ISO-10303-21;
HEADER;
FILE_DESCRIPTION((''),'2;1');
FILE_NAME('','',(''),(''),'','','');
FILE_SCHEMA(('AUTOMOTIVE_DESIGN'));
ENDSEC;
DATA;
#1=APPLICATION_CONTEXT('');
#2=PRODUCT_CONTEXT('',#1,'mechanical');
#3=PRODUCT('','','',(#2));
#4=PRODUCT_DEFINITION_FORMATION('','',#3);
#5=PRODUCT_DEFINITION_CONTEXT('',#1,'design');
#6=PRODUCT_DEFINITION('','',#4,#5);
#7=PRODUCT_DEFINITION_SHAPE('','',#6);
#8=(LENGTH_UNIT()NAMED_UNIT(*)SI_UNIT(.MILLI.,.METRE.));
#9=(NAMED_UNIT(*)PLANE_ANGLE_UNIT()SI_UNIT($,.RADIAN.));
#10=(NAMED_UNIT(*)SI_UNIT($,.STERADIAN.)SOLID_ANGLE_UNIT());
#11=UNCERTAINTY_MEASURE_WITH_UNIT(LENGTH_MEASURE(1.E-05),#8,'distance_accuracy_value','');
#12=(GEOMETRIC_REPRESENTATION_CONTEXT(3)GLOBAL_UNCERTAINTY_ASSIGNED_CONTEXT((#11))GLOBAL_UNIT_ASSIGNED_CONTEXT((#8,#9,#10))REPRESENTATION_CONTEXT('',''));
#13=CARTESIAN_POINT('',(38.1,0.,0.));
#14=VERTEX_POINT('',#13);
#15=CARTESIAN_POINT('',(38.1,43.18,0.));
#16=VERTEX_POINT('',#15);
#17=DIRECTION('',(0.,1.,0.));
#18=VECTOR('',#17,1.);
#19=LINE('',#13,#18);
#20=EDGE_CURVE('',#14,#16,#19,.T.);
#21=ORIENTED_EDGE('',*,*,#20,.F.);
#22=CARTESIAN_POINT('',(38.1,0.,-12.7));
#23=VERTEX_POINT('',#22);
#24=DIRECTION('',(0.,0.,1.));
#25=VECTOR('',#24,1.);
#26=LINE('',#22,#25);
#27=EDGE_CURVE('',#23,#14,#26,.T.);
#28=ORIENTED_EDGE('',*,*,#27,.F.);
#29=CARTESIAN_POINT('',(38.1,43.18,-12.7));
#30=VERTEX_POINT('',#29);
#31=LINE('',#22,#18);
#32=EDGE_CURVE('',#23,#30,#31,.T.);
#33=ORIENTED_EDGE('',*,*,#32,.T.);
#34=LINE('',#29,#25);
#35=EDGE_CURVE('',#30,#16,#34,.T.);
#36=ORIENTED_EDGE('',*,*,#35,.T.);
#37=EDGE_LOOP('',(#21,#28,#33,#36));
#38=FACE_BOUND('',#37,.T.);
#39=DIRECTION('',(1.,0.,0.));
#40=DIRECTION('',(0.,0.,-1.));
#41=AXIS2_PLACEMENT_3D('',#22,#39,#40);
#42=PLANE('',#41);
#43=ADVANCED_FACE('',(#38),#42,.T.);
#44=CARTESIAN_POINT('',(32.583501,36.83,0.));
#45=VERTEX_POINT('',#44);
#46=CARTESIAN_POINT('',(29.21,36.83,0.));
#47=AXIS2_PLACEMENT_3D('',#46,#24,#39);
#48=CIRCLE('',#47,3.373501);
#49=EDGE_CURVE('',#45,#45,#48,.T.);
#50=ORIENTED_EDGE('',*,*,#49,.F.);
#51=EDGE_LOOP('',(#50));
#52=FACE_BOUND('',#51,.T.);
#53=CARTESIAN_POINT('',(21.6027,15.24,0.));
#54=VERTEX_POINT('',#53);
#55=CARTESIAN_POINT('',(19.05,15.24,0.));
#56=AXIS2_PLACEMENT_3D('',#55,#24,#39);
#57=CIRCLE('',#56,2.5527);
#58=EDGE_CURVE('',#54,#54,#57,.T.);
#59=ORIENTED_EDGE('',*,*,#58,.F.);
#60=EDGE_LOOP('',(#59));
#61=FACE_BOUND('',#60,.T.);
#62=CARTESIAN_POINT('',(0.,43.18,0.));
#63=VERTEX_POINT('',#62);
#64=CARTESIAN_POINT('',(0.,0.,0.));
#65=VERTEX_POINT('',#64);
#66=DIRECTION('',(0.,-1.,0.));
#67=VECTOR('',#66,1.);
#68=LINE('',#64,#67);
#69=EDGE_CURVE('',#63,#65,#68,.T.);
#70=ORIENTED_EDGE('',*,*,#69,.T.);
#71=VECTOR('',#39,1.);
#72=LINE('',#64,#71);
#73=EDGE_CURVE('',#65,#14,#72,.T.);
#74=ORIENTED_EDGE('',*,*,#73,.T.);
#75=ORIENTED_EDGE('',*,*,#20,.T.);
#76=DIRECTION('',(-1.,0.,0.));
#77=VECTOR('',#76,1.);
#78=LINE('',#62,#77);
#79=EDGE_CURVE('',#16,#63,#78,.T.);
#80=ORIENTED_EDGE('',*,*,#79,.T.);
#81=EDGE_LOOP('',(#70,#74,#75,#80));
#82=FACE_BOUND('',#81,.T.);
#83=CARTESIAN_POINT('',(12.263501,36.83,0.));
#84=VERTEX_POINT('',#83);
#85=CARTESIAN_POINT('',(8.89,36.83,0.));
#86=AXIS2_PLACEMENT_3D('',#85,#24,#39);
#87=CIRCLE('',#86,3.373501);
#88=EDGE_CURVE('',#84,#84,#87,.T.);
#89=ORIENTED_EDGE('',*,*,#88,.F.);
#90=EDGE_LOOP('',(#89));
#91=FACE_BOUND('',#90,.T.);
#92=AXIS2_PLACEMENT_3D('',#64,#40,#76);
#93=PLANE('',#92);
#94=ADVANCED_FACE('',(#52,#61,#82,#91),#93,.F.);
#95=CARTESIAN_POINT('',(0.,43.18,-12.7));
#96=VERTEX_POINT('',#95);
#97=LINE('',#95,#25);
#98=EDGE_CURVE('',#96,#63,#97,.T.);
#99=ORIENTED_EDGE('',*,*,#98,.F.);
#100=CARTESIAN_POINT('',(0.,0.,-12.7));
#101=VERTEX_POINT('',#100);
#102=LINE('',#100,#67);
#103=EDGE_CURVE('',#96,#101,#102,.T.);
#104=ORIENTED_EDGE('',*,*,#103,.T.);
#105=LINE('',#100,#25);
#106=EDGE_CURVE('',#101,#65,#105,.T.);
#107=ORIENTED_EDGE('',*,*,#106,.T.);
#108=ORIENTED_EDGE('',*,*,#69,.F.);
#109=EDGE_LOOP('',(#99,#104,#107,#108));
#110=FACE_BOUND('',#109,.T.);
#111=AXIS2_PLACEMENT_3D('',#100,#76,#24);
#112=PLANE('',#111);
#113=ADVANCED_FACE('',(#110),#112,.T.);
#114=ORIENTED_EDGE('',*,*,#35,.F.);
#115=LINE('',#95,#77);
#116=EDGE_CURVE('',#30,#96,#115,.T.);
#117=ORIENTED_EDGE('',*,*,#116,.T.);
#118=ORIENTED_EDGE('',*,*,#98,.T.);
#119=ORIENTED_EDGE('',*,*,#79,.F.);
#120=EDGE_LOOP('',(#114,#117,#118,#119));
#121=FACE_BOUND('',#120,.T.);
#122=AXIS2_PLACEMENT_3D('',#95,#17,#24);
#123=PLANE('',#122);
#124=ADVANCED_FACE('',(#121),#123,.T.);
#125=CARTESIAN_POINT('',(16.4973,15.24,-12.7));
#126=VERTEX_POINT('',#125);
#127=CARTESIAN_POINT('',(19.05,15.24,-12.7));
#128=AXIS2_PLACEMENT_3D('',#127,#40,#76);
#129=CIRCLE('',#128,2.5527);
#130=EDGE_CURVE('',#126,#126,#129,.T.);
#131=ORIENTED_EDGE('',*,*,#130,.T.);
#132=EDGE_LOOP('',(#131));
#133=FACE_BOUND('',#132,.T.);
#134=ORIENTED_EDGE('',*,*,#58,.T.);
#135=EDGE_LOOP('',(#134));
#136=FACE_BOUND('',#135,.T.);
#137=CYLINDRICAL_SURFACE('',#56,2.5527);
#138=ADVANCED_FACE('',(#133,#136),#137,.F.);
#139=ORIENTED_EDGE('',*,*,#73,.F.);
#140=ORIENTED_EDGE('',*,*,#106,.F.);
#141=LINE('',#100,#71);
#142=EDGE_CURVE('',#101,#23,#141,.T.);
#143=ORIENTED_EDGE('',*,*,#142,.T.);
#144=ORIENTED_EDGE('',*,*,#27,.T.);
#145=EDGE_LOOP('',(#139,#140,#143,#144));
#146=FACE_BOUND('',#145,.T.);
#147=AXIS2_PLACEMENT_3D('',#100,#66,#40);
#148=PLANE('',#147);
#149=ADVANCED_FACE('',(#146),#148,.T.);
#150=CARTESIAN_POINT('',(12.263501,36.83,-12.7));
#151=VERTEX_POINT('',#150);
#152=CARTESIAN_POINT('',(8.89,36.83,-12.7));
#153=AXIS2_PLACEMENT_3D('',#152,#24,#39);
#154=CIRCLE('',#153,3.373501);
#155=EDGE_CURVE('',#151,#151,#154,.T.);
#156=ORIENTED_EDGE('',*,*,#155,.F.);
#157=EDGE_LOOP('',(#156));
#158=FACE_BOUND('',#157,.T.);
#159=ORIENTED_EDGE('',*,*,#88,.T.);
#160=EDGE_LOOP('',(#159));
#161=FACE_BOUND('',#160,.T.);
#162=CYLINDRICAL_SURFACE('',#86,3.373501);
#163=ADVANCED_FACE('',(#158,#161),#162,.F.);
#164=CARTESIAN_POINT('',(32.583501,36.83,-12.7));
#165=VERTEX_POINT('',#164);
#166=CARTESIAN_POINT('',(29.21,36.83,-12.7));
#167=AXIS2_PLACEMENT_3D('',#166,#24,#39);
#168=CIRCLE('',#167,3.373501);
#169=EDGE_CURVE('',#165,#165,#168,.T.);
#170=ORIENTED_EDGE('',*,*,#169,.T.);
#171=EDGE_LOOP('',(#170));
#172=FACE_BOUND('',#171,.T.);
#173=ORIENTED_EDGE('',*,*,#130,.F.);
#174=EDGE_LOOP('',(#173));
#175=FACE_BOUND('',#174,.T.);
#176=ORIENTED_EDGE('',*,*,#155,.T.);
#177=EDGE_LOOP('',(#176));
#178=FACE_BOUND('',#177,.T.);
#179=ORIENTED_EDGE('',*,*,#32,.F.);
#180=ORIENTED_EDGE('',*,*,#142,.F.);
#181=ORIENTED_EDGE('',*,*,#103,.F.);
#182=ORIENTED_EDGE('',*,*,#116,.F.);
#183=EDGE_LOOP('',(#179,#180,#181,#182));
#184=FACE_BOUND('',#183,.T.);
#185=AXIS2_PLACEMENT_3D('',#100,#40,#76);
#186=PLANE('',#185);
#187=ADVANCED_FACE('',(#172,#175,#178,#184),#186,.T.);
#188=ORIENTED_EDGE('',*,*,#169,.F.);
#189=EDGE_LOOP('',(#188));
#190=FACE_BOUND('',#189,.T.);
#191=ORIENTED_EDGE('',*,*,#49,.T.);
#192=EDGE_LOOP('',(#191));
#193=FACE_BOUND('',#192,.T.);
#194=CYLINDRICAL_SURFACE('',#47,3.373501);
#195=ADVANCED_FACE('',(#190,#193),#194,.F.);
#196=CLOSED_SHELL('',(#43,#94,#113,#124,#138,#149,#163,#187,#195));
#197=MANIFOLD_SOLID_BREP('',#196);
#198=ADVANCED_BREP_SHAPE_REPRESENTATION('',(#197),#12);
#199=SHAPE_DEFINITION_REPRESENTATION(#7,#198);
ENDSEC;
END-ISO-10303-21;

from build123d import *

# Parameters (mm, degrees)
SKETCH1_W                        = 38.1
SKETCH1_H                        = 43.18
BOSS_EXTRUDE1_DEPTH              = 12.7
F_17_64_0_26563_DIAMETER_HOLE1_D = 6.747002
F_1_4_20_TAPPED_HOLE1_D          = 5.1054
F_1_4_20_TAPPED_HOLE1_DEPTH      = 12.7


with BuildPart() as part:
    # Sketch1 → Boss-Extrude1 (new body)
    with BuildSketch(Plane.XY):
        with Locations((19.05, 21.59)):
            Rectangle(SKETCH1_W, SKETCH1_H)
    extrude(amount=-BOSS_EXTRUDE1_DEPTH)

    # 17/64 (0.26563) Diameter Hole1 (through all)
    with Locations(Plane(origin=(29.21, 36.83, 0), x_dir=(1, 0, 0), z_dir=(0, 0, 1))):
        with Locations((0, 0), (-20.32, 0)):
            Hole(F_17_64_0_26563_DIAMETER_HOLE1_D / 2)

    # 1/4-20 Tapped Hole1
    with Locations(Plane.XY):
        with Locations((19.05, 15.24)):
            Hole(F_1_4_20_TAPPED_HOLE1_D / 2, depth=F_1_4_20_TAPPED_HOLE1_DEPTH)


solid = part.part
